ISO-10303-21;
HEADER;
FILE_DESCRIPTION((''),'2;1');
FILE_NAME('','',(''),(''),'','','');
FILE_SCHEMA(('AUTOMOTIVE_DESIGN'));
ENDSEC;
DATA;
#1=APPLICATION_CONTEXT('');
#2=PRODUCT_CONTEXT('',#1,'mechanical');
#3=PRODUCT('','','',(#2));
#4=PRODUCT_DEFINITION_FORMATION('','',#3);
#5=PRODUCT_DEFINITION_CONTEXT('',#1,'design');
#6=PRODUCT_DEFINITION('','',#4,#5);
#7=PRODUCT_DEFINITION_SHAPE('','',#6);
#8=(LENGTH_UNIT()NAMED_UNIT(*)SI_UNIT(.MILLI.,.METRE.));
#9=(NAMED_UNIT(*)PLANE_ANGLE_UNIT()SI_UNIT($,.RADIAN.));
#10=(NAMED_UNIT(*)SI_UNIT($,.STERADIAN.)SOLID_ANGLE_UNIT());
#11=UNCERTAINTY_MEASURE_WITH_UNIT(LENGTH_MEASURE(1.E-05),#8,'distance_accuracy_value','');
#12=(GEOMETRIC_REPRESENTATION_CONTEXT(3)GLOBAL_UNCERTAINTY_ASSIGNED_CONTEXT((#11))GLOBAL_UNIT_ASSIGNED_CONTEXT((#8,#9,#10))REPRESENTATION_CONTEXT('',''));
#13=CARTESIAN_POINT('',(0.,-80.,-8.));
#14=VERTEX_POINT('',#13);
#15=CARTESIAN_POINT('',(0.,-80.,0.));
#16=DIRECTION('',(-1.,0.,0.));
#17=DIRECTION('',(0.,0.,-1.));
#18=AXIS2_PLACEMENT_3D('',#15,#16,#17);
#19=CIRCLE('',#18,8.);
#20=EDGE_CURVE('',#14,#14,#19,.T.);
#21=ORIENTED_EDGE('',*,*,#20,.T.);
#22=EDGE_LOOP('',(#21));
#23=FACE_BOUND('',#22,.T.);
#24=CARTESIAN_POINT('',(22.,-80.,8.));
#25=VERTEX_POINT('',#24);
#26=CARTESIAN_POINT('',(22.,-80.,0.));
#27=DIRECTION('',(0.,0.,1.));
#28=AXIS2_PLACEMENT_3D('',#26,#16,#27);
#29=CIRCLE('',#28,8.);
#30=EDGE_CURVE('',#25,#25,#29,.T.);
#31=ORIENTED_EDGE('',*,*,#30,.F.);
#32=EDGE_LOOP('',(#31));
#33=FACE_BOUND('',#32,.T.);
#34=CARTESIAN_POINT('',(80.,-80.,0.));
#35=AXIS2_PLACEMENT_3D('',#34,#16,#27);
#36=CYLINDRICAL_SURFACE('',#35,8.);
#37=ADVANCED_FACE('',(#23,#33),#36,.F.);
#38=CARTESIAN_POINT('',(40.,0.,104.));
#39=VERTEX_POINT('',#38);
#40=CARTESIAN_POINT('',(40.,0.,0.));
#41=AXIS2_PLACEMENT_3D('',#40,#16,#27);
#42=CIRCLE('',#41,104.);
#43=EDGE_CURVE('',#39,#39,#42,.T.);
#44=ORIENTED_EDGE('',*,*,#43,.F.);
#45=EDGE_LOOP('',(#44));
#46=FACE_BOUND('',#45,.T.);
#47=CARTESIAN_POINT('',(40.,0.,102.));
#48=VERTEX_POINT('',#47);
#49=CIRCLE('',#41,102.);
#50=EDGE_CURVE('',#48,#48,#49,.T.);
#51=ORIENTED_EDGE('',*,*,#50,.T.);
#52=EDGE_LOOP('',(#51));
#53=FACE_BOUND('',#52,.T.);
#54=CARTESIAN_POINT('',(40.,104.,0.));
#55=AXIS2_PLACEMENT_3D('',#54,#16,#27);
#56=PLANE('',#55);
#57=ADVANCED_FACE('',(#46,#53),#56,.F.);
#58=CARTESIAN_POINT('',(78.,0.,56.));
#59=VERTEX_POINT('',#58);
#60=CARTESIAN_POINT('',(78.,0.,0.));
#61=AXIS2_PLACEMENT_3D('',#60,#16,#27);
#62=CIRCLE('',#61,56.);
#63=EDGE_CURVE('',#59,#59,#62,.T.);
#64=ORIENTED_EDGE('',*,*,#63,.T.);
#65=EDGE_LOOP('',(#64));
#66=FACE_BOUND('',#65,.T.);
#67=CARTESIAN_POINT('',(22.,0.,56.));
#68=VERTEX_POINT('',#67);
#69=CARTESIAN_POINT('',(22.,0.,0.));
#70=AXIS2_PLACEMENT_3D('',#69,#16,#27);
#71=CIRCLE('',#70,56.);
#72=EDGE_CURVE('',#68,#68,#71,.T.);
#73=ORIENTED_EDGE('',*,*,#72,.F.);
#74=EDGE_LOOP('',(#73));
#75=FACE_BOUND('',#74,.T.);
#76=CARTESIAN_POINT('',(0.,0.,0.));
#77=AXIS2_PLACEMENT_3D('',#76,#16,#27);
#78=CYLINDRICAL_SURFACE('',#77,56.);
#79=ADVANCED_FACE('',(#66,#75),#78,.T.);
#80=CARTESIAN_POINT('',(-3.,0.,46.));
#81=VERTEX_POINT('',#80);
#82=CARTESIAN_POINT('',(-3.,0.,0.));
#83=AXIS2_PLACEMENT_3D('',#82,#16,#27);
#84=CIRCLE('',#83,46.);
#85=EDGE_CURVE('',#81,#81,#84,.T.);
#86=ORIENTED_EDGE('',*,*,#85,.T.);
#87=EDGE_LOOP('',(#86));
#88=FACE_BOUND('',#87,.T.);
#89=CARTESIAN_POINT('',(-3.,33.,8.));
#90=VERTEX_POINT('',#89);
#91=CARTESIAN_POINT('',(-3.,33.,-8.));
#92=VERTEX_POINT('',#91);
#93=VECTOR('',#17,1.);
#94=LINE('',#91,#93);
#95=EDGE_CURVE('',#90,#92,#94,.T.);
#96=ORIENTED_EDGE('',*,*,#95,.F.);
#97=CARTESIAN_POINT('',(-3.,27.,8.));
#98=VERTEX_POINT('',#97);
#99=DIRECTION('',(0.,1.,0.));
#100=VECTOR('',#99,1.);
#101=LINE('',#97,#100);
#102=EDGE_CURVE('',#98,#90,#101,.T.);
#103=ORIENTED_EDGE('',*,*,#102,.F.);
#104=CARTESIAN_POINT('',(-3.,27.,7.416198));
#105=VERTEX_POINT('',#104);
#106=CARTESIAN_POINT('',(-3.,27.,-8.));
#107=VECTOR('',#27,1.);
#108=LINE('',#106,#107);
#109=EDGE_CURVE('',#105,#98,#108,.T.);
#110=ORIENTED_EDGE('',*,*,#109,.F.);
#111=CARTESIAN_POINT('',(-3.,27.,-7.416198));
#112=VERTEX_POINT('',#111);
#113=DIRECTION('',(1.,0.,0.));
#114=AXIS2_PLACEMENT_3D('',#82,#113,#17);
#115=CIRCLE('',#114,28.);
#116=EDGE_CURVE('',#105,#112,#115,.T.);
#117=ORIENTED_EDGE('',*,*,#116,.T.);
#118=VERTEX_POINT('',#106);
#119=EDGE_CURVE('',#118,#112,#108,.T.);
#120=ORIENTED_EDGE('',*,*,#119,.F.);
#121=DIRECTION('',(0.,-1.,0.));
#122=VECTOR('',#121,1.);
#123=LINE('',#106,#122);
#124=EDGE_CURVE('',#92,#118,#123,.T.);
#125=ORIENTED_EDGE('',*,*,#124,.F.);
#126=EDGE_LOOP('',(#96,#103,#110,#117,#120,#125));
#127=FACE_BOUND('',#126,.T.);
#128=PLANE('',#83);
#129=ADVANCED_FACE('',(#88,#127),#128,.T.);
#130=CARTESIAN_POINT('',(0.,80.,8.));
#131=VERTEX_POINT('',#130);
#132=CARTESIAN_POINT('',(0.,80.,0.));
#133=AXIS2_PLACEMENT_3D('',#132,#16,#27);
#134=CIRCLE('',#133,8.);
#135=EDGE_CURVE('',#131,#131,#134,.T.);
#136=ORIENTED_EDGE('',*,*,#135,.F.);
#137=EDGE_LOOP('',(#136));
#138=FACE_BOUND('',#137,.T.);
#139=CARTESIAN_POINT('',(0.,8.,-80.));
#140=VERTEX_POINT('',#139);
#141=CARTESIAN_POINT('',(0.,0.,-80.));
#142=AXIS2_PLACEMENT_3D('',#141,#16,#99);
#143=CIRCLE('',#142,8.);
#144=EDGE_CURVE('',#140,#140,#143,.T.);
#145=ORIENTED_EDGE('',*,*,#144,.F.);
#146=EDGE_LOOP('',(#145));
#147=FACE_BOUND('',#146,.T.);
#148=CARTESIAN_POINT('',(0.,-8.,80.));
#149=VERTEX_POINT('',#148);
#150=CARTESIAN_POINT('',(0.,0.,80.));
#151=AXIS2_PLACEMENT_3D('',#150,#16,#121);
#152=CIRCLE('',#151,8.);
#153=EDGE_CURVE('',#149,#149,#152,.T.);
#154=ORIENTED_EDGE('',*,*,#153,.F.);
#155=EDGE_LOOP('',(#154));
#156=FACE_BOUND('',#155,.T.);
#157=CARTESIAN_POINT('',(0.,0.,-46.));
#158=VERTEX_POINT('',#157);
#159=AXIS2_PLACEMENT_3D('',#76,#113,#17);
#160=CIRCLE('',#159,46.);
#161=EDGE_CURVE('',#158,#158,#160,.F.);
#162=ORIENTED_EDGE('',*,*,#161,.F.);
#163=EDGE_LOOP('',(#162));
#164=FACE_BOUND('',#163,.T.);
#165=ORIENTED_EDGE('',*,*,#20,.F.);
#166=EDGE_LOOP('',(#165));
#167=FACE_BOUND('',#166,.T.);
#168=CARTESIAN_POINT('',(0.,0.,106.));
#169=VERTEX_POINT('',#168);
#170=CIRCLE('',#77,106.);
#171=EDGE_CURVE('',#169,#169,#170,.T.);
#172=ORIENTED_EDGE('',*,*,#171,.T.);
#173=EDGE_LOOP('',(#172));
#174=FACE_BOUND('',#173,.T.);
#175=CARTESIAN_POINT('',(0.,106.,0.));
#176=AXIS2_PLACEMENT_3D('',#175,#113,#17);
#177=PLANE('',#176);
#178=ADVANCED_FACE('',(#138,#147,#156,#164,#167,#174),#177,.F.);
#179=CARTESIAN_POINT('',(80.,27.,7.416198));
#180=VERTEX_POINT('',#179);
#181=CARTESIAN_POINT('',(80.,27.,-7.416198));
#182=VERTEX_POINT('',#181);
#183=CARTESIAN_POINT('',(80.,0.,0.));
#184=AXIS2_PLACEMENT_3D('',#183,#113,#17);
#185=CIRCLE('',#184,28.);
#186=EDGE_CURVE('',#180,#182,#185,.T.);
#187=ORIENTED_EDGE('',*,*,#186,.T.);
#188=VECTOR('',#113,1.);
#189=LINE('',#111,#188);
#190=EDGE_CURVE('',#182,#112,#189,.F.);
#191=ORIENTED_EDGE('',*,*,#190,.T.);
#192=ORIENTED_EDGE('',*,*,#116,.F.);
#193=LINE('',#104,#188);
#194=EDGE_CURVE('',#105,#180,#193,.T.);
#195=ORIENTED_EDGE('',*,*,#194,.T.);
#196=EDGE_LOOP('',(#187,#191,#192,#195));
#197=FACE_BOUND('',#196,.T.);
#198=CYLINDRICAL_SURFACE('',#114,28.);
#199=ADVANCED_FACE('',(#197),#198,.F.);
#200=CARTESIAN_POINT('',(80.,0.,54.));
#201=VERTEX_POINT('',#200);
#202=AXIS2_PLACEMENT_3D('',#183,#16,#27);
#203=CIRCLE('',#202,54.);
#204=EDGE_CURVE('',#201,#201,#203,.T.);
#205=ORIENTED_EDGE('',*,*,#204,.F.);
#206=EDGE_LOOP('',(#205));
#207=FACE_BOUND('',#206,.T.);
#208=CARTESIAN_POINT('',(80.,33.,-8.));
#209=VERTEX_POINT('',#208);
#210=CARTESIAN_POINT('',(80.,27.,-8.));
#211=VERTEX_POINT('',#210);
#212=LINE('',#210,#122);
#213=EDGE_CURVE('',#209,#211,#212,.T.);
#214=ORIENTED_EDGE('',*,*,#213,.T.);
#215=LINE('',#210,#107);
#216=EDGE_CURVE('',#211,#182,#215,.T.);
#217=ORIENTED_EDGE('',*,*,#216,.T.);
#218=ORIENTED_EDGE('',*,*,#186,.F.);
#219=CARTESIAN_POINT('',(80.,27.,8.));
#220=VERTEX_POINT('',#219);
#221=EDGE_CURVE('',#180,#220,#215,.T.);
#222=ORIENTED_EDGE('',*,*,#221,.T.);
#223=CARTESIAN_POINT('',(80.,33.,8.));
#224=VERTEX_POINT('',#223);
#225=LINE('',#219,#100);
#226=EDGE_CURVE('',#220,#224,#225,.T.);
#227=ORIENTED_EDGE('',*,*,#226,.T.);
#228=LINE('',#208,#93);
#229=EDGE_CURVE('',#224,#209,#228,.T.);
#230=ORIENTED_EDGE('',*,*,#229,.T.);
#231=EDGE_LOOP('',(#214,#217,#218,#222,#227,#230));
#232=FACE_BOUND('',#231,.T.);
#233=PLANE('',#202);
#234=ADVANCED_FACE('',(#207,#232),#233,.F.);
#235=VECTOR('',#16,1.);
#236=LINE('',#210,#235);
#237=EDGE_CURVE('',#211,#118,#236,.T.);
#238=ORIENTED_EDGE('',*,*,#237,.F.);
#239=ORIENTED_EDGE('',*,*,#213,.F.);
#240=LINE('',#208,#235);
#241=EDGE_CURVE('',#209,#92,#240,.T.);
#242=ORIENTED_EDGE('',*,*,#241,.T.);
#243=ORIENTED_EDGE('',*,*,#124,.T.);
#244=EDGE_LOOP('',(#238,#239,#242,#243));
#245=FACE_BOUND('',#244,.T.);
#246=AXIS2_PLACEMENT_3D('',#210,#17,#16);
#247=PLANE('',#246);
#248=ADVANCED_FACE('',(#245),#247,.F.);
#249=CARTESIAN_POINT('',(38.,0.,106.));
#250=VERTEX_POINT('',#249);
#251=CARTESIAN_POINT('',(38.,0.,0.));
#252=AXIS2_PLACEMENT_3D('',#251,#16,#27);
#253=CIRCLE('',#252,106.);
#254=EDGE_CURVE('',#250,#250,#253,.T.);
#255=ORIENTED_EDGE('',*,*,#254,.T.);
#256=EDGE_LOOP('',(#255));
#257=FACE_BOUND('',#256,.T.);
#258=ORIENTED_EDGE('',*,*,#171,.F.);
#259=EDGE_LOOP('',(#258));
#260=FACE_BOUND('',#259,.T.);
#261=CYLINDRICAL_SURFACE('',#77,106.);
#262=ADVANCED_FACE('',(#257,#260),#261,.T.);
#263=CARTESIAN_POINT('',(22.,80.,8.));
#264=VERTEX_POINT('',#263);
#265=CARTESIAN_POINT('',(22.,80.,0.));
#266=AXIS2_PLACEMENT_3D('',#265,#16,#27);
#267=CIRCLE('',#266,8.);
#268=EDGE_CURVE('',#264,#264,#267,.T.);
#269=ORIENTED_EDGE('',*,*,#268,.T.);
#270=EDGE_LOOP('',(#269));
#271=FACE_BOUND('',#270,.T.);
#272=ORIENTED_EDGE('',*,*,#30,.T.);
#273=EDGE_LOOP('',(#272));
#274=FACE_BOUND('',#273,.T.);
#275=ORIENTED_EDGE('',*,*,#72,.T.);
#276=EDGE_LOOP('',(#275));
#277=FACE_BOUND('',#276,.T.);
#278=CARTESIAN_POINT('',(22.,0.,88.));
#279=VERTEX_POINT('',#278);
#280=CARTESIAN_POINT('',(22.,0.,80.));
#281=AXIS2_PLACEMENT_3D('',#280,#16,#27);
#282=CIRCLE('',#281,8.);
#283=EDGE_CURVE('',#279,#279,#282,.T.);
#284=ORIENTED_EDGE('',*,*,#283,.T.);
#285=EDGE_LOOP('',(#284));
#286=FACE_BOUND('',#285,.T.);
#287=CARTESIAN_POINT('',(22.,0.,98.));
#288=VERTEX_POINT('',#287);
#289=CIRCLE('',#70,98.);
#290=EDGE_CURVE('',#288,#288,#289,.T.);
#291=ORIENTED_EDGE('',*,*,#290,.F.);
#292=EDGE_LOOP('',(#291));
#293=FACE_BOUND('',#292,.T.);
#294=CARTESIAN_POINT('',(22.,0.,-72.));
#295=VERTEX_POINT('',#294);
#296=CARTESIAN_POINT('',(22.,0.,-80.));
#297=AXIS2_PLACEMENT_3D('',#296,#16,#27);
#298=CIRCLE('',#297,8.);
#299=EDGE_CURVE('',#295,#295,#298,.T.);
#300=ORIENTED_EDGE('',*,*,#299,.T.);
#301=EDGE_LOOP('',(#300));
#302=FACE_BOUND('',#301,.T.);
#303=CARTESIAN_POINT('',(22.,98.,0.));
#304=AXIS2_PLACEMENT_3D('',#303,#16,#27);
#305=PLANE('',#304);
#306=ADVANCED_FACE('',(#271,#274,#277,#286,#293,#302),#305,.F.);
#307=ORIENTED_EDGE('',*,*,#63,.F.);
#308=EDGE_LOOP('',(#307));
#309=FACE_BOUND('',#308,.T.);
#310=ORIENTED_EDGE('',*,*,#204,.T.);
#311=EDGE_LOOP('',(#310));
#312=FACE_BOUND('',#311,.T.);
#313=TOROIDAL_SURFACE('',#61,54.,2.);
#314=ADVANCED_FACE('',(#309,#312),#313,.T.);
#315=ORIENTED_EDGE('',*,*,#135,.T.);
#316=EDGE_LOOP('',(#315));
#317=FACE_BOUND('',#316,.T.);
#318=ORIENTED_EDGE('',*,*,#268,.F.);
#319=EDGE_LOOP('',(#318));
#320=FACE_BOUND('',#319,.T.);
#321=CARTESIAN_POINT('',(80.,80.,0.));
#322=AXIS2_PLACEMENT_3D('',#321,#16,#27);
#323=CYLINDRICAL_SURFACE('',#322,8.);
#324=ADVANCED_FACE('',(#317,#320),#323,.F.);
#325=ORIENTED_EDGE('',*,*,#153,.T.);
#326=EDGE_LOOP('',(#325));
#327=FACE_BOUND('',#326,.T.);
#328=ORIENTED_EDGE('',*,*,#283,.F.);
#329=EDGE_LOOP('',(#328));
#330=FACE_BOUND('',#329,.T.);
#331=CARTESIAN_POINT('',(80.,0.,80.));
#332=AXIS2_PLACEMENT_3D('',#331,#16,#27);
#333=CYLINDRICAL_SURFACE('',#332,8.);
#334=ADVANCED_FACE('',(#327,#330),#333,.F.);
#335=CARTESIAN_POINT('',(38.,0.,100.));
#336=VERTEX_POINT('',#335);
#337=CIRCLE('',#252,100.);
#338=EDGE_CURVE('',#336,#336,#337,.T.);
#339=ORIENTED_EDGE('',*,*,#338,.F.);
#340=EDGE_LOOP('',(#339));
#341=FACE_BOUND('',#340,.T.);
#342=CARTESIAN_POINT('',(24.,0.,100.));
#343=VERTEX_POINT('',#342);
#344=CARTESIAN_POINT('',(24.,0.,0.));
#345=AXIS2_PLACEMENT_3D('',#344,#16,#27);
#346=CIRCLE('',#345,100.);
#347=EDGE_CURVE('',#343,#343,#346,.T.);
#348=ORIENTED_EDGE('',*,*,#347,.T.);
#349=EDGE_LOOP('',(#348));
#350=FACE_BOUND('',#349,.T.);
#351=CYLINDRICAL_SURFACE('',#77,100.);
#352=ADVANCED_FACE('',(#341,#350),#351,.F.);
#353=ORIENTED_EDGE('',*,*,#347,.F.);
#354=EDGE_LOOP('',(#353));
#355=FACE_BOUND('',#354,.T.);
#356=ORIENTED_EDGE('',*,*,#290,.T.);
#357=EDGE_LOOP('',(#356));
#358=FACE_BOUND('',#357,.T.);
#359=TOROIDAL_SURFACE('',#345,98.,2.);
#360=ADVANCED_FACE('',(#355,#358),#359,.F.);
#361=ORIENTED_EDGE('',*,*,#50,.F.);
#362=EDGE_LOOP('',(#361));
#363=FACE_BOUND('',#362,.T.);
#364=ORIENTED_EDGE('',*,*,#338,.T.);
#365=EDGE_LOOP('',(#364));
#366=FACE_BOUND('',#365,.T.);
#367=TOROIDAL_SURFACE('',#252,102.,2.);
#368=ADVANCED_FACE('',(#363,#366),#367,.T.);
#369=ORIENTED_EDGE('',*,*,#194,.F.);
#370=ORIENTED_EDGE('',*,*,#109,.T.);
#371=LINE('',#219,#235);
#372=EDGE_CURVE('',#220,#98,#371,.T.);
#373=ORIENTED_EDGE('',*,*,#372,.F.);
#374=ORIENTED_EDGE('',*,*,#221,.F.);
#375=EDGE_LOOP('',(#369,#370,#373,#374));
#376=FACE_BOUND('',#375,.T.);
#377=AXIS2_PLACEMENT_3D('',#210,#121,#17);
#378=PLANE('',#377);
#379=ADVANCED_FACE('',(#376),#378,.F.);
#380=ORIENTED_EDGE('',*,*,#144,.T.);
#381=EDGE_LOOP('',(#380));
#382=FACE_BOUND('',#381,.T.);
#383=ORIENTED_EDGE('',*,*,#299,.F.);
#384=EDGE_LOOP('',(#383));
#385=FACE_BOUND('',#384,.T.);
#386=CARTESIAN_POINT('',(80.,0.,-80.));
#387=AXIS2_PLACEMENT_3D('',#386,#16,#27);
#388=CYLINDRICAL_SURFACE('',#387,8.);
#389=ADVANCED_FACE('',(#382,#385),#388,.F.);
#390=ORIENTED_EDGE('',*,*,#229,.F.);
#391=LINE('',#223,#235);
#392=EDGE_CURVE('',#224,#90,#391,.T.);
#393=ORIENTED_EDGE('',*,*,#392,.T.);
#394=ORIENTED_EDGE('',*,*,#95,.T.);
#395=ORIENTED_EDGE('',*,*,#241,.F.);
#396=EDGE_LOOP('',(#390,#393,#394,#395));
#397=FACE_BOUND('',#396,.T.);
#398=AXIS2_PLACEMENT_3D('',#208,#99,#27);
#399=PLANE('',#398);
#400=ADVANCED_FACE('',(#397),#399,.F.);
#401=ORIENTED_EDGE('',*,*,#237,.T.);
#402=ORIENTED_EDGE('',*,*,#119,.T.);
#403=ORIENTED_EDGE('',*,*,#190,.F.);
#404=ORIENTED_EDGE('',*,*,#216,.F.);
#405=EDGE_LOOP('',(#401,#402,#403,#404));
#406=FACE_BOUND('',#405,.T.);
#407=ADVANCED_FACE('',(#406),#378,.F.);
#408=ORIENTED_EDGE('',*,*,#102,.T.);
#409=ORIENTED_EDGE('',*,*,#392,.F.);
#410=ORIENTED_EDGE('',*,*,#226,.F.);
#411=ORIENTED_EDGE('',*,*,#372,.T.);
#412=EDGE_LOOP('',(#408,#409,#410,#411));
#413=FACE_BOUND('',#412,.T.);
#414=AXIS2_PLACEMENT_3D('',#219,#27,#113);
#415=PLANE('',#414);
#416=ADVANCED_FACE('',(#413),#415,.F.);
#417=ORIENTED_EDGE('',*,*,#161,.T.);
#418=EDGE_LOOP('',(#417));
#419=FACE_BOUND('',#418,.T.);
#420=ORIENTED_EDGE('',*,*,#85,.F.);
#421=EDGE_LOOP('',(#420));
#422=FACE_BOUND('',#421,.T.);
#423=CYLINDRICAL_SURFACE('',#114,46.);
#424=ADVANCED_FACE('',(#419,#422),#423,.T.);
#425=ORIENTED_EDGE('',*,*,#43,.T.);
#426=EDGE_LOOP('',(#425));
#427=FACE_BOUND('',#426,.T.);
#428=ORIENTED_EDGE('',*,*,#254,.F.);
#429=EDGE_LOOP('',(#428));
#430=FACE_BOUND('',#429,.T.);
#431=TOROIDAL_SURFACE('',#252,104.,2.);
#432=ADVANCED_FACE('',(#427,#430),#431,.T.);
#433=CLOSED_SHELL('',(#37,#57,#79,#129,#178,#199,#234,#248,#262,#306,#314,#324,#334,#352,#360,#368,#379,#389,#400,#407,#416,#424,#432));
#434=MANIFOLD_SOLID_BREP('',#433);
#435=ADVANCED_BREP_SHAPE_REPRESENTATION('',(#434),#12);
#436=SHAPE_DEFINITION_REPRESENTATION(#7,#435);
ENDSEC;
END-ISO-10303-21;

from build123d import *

# Parameters (mm, degrees)
SKETCH3_R           = 46
BOSS_EXTRUDE1_DEPTH = 3
SKETCH2_R           = 28
CUT_EXTRUDE1_DEPTH  = 172.350517945
SKETCH5_R           = 8
CUT_EXTRUDE7_DEPTH  = 170.917627149
CIRPATTERN2_COUNT   = 4
SKETCH7_W           = 16
SKETCH7_H           = 6
CUT_EXTRUDE8_DEPTH  = 172.350517993


with BuildPart() as part:
    # Sketch1 → Revolve1 (revolve)
    with BuildSketch(Plane.XY, mode=Mode.PRIVATE) as revolve1_sk:
        with BuildLine():
            Line((0, 0), (80, 0))
            Line((80, 0), (80, 54))
            ThreePointArc((80, 54), (79.414213562, 55.414213562), (78, 56))
            Line((78, 56), (28.292682927, 56))
            Line((28.292682927, 56), (22, 56))
            Line((22, 56), (22, 98))
            ThreePointArc((22, 98), (22.585786438, 99.414213562), (24, 100))
            Line((24, 100), (38, 100))
            ThreePointArc((38, 100), (39.414213562, 100.585786438), (40, 102))
            Line((40, 102), (40, 104))
            ThreePointArc((40, 104), (39.414213562, 105.414213562), (38, 106))
            Line((38, 106), (0, 106))
            Line((0, 106), (0, 0))
        make_face()
    revolve(revolve1_sk.sketch.rotate(Axis((0, 0, 0), (1, 0, 0)), 90), axis=Axis((0, 0, 0), (1, 0, 0)))

    # Sketch3 → Boss-Extrude1 (add)
    with BuildSketch(Plane.ZY):
        with Locations(Location((0, 0, 0), (0, 0, 180))):
            Circle(SKETCH3_R)
    extrude(amount=BOSS_EXTRUDE1_DEPTH)

    # Sketch2 → Cut-Extrude1 (cut, through all)
    with BuildSketch(Plane(origin=(80, 0, 0), x_dir=(0, 0, -1), z_dir=(1, 0, 0))):
        Circle(SKETCH2_R)
    extrude(amount=-CUT_EXTRUDE1_DEPTH, mode=Mode.SUBTRACT)

    # Sketch5 → Cut-Extrude7 (cut, through all)
    with BuildSketch(Plane.ZY):
        with Locations((0, 80)):
            Circle(SKETCH5_R)
    cut_extrude7 = extrude(amount=-CUT_EXTRUDE7_DEPTH, mode=Mode.SUBTRACT)

    # CirPattern2: Cut-Extrude7 ×4 about axis
    cirpattern2_axis = Axis((0, 0, 0), (1, 0, 0))
    for i in range(1, CIRPATTERN2_COUNT):
        add(cut_extrude7.rotate(cirpattern2_axis, i * 360 / CIRPATTERN2_COUNT), mode=Mode.SUBTRACT)

    # Sketch7 → Cut-Extrude8 (cut, through all)
    with BuildSketch(Plane.ZY.offset(3)):
        with Locations((0, 30)):
            Rectangle(SKETCH7_W, SKETCH7_H)
    extrude(amount=-CUT_EXTRUDE8_DEPTH, mode=Mode.SUBTRACT)


solid = part.part
